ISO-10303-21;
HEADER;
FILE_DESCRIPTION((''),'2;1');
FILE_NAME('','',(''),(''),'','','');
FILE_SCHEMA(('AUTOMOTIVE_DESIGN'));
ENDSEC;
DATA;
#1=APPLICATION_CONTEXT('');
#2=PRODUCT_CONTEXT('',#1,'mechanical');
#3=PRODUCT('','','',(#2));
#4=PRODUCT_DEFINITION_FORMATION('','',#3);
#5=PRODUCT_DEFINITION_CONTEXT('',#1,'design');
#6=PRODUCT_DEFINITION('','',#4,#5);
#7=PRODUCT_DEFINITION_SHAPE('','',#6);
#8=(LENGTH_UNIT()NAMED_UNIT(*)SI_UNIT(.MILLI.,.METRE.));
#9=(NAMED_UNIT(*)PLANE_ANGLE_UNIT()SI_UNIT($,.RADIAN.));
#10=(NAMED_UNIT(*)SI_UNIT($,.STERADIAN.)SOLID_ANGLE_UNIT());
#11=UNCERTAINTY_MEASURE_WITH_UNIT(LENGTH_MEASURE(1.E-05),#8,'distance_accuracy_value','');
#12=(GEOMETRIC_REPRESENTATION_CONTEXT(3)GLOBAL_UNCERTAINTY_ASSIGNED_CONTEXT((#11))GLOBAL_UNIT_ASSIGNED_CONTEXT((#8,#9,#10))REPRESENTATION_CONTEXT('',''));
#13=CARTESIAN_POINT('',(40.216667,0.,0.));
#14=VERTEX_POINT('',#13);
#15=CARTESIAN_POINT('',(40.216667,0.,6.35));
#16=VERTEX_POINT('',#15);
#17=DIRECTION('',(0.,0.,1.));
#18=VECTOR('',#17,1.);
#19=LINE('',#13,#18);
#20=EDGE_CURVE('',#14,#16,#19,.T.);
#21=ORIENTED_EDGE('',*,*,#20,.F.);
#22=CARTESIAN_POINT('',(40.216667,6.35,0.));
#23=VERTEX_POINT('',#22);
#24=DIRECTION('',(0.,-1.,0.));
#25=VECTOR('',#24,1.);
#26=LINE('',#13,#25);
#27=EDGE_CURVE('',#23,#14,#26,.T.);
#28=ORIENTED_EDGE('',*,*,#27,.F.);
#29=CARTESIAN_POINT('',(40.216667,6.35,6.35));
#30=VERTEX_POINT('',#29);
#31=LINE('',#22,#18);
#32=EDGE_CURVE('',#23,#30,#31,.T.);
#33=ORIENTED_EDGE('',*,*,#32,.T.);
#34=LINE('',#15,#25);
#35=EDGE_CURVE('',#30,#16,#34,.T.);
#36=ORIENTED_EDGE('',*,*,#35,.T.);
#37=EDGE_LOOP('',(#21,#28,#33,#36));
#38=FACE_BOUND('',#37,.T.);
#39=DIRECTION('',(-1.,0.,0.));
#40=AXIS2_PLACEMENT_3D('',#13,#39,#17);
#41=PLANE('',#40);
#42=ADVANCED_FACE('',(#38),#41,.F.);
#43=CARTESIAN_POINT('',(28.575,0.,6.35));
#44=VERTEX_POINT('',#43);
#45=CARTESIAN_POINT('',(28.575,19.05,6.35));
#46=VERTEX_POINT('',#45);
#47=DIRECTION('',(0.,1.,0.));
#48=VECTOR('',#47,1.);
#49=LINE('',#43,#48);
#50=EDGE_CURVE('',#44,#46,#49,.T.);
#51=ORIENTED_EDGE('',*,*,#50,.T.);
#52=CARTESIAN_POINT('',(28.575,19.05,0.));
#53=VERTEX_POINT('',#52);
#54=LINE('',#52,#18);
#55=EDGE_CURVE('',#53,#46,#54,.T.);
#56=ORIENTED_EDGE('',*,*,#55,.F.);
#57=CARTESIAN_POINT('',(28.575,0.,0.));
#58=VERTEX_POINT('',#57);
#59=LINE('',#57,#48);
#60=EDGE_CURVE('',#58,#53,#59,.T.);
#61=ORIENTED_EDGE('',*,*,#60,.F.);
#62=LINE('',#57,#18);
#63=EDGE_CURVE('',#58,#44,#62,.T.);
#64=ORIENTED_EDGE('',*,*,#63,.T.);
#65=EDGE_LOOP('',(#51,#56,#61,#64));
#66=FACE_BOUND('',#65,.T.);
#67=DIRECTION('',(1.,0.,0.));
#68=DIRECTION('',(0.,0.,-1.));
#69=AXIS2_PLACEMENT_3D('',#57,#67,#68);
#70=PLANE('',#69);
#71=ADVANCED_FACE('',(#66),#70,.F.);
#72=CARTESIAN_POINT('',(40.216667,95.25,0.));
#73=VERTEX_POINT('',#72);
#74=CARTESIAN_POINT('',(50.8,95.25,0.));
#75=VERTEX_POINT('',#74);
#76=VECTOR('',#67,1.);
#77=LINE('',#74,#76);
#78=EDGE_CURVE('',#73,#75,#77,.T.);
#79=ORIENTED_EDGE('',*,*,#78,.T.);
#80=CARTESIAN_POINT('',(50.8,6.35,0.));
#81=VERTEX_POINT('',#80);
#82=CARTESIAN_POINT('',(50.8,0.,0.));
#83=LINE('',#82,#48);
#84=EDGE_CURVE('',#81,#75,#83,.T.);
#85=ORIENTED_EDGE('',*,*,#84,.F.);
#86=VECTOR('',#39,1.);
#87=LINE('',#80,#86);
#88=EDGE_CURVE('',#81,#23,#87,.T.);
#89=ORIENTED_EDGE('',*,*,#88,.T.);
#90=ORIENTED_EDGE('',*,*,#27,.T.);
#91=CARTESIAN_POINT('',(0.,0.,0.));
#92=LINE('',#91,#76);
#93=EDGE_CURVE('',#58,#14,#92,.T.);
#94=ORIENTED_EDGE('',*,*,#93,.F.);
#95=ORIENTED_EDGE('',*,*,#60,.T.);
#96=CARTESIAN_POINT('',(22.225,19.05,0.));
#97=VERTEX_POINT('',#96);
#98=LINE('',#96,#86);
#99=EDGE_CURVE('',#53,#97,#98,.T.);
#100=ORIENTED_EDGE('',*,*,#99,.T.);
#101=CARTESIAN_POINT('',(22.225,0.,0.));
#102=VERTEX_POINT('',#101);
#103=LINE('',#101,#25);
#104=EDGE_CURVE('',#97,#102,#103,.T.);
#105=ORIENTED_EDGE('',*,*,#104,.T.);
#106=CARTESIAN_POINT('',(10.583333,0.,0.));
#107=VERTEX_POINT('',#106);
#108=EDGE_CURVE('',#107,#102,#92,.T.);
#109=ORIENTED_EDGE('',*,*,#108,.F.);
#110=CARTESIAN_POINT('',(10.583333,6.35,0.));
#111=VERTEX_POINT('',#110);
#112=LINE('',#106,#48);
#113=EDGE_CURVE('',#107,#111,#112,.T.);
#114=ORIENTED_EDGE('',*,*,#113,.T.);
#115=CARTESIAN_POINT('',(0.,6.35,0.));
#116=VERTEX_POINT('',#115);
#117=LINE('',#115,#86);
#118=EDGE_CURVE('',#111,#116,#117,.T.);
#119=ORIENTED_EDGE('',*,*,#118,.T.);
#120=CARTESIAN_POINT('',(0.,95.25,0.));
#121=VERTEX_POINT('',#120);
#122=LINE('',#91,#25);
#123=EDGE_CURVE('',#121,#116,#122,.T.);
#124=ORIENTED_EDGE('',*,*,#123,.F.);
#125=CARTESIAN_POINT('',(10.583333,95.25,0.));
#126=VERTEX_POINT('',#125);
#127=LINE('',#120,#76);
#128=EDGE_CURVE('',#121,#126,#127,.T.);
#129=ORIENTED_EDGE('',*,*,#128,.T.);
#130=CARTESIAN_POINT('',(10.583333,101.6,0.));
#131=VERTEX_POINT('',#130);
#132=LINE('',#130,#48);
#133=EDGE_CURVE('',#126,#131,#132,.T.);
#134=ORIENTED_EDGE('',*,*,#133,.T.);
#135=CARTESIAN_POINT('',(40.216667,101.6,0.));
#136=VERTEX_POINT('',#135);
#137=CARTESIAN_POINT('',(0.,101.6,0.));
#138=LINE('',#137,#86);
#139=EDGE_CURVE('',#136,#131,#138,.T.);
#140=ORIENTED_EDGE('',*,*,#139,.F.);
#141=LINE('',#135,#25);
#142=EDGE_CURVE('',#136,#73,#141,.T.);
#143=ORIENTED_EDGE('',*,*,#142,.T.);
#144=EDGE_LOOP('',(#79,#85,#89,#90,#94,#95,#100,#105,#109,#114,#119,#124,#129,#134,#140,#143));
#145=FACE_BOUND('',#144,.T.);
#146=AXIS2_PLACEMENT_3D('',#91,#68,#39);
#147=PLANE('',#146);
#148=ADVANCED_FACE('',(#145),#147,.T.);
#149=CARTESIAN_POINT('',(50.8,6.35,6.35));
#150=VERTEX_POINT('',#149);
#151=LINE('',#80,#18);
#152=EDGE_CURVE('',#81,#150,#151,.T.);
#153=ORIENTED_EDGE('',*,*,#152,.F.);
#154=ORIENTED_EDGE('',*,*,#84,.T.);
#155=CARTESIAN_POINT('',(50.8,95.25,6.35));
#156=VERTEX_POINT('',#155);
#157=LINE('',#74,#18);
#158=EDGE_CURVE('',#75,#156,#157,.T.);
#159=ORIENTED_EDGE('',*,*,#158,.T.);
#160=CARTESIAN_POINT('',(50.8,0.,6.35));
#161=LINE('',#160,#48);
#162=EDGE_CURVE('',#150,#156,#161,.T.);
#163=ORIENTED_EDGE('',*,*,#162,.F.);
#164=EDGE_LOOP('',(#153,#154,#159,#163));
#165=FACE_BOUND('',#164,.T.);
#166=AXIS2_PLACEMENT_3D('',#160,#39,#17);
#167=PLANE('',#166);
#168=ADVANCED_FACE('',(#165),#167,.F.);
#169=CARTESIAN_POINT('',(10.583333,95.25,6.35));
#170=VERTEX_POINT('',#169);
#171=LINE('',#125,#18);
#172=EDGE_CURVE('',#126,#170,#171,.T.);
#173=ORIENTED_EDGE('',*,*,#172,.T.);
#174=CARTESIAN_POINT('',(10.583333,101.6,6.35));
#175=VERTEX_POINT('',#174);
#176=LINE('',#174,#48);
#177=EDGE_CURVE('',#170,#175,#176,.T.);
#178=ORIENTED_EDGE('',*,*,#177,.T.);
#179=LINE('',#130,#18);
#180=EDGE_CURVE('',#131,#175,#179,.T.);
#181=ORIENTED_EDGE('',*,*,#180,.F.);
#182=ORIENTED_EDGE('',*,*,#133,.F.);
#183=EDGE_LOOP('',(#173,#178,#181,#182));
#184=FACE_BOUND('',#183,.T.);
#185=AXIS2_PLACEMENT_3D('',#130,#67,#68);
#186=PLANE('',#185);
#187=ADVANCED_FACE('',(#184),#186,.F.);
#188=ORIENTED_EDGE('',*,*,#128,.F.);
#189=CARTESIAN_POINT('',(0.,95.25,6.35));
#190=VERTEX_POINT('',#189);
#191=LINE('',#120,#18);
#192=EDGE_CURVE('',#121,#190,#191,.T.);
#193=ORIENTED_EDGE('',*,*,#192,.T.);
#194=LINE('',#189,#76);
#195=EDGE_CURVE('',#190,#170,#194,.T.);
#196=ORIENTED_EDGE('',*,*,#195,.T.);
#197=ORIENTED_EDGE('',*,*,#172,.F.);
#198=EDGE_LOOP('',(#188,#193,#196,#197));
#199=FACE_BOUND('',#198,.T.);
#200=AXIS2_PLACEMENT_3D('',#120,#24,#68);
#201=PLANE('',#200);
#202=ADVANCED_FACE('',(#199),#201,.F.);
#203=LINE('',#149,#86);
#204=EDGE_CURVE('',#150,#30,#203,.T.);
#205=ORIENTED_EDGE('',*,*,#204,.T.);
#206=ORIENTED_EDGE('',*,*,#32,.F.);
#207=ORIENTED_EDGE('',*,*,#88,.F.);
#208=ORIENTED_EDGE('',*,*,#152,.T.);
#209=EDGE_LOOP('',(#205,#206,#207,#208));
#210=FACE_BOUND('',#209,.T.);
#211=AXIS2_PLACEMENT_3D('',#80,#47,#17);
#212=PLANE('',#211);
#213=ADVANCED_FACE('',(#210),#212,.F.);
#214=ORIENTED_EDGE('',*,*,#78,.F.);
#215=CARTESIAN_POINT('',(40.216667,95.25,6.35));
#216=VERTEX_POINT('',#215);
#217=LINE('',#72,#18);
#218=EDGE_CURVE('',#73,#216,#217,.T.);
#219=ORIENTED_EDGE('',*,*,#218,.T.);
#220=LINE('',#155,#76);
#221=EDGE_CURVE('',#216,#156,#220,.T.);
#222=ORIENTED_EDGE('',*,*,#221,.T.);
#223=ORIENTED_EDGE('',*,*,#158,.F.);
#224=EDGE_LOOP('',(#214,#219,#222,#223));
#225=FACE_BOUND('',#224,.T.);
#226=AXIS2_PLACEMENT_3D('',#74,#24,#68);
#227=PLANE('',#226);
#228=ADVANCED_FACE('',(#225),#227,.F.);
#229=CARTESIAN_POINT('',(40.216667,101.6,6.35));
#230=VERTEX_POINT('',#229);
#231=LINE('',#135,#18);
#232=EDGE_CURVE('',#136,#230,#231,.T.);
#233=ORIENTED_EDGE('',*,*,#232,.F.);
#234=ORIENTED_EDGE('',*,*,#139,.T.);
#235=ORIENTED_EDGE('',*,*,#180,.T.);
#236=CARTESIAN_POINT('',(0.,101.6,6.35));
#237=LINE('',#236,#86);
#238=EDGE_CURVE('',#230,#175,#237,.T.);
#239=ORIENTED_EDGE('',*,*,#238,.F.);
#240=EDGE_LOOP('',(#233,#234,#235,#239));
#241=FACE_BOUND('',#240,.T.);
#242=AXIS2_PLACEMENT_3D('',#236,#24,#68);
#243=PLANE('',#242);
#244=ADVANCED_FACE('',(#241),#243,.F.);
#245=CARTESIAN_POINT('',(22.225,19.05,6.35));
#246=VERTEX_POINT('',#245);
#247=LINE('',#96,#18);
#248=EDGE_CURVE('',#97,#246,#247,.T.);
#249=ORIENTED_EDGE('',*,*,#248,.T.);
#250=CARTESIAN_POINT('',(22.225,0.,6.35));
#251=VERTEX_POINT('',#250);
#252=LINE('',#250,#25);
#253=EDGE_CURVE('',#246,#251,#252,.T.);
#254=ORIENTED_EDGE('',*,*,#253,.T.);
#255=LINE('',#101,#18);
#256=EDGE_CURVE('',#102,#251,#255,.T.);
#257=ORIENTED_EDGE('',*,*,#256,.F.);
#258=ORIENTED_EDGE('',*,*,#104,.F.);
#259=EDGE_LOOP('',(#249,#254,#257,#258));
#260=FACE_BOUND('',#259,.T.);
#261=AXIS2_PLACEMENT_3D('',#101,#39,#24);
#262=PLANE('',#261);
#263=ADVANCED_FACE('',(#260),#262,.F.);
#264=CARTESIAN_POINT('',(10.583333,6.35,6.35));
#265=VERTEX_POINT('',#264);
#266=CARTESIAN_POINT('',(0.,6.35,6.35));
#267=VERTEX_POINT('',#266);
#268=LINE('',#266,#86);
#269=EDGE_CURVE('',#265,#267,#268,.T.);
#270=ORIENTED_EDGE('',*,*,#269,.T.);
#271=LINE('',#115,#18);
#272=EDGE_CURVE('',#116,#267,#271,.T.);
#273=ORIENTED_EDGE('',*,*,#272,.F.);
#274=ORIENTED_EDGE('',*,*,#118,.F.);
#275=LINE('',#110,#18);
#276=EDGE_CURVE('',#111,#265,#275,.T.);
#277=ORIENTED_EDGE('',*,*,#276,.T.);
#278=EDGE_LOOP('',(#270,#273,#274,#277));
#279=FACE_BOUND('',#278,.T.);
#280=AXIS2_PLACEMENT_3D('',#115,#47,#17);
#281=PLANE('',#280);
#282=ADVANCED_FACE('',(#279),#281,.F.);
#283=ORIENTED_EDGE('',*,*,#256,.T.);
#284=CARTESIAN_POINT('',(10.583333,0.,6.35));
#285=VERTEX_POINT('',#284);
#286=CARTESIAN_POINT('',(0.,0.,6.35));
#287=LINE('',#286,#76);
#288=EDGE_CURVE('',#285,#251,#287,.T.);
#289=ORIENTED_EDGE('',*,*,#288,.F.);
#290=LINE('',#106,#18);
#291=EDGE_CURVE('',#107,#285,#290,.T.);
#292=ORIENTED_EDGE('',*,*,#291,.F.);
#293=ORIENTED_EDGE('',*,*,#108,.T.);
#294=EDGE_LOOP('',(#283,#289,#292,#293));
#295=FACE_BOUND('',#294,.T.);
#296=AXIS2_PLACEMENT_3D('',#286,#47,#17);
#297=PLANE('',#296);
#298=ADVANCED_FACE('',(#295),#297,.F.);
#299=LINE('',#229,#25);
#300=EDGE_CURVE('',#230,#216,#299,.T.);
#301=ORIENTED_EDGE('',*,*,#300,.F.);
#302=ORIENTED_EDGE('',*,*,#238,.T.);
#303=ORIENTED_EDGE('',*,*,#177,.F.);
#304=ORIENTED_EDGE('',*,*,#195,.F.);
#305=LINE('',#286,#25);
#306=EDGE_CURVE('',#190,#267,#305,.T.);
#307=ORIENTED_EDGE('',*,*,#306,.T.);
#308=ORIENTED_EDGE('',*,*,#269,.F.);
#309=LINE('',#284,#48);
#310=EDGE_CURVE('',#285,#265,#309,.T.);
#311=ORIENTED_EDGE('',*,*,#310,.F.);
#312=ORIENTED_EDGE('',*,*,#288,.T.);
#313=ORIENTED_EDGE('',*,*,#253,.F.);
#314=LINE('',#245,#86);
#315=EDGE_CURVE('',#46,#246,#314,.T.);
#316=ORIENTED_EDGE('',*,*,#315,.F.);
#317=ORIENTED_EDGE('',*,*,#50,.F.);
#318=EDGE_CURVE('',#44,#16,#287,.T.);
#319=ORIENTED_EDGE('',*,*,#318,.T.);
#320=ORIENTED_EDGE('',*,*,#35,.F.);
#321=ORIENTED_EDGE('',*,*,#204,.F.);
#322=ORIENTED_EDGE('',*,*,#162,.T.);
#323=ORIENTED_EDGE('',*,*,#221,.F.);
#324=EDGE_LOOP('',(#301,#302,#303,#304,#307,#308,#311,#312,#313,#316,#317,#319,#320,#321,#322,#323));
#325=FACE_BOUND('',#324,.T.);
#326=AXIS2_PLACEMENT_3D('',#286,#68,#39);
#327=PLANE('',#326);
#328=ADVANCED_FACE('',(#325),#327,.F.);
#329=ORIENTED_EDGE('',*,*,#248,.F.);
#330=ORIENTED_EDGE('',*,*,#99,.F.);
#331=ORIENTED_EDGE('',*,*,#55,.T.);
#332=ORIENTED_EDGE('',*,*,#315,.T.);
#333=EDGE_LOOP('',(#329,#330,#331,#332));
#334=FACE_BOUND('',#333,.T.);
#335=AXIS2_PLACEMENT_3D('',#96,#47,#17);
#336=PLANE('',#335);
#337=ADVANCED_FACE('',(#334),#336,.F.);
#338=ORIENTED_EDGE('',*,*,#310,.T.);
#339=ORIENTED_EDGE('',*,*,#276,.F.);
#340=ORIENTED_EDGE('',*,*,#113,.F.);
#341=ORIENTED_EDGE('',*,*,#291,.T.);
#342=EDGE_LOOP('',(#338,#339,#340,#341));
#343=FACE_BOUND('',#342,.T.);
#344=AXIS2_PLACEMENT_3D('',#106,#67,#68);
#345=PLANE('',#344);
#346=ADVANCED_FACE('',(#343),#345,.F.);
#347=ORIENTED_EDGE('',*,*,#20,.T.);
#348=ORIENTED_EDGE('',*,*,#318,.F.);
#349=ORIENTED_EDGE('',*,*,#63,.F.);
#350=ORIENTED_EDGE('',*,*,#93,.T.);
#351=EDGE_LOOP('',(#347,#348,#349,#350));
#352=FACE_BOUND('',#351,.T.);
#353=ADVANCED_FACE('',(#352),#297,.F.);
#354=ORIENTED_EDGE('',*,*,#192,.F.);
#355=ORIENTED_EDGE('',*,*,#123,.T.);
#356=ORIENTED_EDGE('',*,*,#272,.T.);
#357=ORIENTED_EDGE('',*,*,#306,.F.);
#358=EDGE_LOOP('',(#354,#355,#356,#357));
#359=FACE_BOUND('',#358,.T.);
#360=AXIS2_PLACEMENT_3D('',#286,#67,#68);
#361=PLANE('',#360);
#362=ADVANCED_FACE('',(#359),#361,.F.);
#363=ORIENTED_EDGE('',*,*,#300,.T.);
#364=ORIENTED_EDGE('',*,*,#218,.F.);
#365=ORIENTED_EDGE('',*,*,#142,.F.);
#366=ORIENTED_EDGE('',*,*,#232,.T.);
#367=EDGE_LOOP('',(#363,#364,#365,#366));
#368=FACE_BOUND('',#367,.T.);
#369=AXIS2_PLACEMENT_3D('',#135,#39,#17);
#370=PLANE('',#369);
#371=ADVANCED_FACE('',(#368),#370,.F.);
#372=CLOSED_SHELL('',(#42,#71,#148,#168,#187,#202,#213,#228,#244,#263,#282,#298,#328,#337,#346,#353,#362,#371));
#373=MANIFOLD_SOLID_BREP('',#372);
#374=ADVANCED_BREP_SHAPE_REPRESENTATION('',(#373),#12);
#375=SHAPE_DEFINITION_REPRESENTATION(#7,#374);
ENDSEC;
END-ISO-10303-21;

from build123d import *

# Parameters (mm, degrees)
SKETCH1_W           = 50.8
SKETCH1_H           = 101.6
BOSS_EXTRUDE1_DEPTH = 6.35
SKETCH2_W           = 6.35
SKETCH2_H           = 19.05
SKETCH2_W_2         = 10.583333333
SKETCH2_H_2         = 6.35
CUT_EXTRUDE1_DEPTH  = 6.35


with BuildPart() as part:
    # Sketch1 → Boss-Extrude1 (new body)
    with BuildSketch(Plane.XY):
        with Locations((25.4, 50.8)):
            Rectangle(SKETCH1_W, SKETCH1_H)
    extrude(amount=BOSS_EXTRUDE1_DEPTH)

    # Sketch2 → Cut-Extrude1 (cut)
    with BuildSketch(Plane.XY.offset(6.35)):
        with Locations((25.4, 9.525)):
            Rectangle(SKETCH2_W, SKETCH2_H)
        with Locations((5.291666667, 98.425)):
            Rectangle(SKETCH2_W_2, SKETCH2_H_2)
        with Locations((45.508333334, 98.425)):
            Rectangle(SKETCH2_W_2, SKETCH2_H_2)
        with Locations((45.508333334, 3.175)):
            Rectangle(SKETCH2_W_2, SKETCH2_H_2)
        with Locations((5.291666667, 3.175)):
            Rectangle(SKETCH2_W_2, SKETCH2_H_2)
    extrude(amount=-CUT_EXTRUDE1_DEPTH, mode=Mode.SUBTRACT)


solid = part.part
